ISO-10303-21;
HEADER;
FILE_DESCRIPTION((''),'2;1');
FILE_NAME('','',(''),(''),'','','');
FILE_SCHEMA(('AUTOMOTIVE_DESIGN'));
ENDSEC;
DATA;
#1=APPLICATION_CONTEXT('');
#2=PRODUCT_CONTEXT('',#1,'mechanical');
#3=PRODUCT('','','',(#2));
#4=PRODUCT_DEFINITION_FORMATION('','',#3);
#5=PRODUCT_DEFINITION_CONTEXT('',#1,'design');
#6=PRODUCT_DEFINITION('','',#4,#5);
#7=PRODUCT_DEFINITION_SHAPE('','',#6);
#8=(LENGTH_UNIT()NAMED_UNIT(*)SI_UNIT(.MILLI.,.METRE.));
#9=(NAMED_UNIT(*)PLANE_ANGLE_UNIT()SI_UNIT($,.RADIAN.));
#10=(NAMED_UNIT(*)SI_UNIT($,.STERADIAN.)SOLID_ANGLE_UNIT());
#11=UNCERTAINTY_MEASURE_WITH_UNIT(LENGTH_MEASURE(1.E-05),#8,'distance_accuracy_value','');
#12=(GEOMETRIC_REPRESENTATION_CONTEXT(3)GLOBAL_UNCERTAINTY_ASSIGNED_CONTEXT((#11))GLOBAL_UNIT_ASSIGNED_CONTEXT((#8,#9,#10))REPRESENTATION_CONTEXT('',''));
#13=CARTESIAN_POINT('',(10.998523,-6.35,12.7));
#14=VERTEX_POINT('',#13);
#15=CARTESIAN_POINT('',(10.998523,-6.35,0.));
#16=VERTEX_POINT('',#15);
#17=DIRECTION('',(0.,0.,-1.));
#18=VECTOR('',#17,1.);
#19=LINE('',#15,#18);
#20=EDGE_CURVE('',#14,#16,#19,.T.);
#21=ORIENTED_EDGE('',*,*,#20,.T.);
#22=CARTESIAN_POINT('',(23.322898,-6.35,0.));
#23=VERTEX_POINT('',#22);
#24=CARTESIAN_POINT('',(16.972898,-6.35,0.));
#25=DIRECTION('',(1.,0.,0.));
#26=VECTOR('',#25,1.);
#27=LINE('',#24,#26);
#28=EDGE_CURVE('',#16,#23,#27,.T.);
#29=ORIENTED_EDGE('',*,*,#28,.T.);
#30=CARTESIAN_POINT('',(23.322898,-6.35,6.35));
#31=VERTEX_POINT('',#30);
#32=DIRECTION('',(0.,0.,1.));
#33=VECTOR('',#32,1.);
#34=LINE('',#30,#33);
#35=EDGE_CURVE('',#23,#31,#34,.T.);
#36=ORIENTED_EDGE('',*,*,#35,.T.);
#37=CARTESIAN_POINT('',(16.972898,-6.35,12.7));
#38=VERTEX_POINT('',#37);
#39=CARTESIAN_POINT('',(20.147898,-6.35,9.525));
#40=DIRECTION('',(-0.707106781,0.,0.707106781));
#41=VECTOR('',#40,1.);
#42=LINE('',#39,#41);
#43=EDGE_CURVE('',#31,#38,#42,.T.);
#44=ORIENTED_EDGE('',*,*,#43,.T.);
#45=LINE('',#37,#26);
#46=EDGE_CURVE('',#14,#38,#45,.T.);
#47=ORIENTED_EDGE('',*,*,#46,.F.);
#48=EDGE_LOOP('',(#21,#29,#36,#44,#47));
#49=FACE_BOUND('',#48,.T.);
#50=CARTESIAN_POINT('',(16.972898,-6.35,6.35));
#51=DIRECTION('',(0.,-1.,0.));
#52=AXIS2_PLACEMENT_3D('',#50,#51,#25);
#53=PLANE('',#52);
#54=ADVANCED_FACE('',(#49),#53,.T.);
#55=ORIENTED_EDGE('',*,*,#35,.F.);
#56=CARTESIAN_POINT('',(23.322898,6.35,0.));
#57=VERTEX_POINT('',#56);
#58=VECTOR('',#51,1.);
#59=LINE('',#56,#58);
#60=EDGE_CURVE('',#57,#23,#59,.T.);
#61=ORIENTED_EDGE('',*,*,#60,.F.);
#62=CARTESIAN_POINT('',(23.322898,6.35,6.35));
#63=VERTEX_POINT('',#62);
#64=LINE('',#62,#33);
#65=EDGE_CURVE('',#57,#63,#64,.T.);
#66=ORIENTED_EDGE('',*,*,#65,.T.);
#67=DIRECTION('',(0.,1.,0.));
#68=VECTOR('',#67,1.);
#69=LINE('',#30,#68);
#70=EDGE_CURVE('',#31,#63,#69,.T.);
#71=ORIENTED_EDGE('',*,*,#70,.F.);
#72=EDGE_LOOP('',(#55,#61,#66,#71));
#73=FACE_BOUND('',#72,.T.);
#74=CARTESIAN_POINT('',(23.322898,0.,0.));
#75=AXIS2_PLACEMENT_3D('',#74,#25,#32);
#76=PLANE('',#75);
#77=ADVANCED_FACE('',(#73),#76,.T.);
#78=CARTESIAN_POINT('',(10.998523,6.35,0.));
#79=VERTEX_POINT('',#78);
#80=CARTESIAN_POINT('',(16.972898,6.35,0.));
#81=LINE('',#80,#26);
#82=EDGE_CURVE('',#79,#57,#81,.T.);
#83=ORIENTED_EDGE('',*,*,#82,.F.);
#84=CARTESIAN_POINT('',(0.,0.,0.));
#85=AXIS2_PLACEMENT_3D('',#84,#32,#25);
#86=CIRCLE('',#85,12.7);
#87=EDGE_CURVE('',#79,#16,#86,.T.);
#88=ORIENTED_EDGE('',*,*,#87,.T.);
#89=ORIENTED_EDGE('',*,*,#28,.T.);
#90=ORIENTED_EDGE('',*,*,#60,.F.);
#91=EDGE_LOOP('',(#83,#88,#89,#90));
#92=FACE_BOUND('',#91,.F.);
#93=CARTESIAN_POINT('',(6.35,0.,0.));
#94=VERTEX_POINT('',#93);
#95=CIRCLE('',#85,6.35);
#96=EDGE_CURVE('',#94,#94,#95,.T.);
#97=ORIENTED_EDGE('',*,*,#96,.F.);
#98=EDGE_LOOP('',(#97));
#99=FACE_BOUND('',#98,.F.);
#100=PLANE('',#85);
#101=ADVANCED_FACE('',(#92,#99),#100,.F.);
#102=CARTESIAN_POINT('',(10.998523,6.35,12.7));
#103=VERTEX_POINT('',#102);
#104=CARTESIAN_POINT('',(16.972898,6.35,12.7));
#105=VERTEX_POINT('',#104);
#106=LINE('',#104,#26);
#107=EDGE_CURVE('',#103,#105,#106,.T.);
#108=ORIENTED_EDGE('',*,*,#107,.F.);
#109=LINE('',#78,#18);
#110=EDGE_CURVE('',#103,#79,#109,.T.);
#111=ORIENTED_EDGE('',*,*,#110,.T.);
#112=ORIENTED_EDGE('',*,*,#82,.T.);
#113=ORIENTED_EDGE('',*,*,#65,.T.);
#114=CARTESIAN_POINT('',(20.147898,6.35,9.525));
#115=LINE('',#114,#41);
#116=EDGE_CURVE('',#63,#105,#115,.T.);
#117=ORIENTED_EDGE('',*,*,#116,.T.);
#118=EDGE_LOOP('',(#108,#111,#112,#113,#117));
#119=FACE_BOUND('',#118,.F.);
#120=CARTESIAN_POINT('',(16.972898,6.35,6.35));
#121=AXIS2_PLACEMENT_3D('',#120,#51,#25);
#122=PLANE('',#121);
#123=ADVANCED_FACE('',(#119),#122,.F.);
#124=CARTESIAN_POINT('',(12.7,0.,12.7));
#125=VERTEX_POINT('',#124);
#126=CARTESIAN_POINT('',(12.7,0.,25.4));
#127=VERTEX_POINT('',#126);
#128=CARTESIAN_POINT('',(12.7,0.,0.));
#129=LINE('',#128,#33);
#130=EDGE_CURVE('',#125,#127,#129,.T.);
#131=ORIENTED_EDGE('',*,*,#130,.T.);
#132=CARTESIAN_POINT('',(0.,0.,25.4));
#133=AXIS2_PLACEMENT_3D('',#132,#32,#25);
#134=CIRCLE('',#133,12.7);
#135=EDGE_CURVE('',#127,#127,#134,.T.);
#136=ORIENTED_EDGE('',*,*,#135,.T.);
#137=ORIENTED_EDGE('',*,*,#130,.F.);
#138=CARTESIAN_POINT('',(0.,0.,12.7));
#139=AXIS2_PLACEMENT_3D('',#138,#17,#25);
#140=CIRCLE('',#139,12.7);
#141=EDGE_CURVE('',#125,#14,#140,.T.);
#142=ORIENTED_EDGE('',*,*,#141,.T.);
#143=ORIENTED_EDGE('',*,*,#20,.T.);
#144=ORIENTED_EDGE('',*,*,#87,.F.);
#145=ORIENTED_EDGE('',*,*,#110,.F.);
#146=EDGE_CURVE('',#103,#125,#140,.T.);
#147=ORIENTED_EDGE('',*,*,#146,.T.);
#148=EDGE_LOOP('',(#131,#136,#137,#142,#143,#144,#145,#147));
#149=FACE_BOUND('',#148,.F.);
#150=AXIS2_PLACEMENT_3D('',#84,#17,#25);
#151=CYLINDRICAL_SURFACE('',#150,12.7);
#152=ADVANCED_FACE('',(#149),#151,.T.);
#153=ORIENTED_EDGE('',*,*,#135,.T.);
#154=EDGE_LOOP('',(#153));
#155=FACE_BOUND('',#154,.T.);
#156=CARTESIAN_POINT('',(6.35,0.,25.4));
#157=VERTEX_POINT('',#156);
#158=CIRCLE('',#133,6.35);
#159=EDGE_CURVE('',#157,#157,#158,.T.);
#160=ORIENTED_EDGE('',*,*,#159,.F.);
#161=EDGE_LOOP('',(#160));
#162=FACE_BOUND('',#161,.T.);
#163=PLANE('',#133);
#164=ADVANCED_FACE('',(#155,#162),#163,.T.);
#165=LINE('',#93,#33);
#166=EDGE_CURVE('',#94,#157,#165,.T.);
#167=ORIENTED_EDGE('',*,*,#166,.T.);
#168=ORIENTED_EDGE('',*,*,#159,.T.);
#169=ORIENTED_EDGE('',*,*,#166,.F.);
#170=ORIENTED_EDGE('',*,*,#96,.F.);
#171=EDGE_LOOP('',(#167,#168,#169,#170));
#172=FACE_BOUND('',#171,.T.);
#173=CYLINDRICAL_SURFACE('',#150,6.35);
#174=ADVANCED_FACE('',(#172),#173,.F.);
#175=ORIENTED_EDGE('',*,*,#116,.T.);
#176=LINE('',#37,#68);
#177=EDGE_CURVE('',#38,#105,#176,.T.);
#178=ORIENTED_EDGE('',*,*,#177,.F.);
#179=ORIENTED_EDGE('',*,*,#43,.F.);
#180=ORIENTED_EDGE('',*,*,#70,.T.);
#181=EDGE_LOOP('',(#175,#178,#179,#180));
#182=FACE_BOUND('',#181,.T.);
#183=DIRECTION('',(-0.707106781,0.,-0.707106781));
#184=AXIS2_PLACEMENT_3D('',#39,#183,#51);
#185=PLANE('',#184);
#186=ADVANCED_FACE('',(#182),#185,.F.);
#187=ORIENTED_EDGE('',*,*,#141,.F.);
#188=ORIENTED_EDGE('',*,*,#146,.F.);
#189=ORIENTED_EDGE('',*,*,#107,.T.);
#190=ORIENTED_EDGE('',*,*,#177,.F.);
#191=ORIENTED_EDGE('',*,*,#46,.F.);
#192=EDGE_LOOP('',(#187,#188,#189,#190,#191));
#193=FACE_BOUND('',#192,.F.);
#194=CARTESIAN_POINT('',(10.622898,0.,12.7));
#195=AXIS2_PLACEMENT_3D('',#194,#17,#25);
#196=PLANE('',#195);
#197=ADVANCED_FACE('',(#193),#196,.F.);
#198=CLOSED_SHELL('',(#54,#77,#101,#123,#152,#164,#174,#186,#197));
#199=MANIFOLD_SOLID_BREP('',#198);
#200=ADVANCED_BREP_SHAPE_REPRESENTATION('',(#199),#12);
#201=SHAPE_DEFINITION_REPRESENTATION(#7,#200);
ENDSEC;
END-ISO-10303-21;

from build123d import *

# Parameters (mm, degrees)
F0_R     = 12.7
F0_R_2   = 6.35
F1_DEPTH = 25.4
F2_W     = 12.7
F2_H     = 12.7
F3_DEPTH = 6.35
F4_SIZE  = 6.35


with BuildPart() as f1:
    # F0 (on Top) → F1 (new body)
    with BuildSketch(Plane.XY):
        Circle(F0_R)
        Circle(F0_R_2, mode=Mode.SUBTRACT)
    extrude(amount=F1_DEPTH)

    # F2 (on Front) → F3 (join, symmetric)
    with BuildSketch(Plane.XZ):
        with Locations((16.972898, 6.35)):
            Rectangle(F2_W, F2_H)
    extrude(amount=F3_DEPTH, both=True)

    # F4
    f4_edges = [f1.edges().sort_by_distance(p)[0] for p in [
        (23.322898, 0, 12.7),
    ]]
    chamfer(f4_edges, length=F4_SIZE)


solid = f1.part
